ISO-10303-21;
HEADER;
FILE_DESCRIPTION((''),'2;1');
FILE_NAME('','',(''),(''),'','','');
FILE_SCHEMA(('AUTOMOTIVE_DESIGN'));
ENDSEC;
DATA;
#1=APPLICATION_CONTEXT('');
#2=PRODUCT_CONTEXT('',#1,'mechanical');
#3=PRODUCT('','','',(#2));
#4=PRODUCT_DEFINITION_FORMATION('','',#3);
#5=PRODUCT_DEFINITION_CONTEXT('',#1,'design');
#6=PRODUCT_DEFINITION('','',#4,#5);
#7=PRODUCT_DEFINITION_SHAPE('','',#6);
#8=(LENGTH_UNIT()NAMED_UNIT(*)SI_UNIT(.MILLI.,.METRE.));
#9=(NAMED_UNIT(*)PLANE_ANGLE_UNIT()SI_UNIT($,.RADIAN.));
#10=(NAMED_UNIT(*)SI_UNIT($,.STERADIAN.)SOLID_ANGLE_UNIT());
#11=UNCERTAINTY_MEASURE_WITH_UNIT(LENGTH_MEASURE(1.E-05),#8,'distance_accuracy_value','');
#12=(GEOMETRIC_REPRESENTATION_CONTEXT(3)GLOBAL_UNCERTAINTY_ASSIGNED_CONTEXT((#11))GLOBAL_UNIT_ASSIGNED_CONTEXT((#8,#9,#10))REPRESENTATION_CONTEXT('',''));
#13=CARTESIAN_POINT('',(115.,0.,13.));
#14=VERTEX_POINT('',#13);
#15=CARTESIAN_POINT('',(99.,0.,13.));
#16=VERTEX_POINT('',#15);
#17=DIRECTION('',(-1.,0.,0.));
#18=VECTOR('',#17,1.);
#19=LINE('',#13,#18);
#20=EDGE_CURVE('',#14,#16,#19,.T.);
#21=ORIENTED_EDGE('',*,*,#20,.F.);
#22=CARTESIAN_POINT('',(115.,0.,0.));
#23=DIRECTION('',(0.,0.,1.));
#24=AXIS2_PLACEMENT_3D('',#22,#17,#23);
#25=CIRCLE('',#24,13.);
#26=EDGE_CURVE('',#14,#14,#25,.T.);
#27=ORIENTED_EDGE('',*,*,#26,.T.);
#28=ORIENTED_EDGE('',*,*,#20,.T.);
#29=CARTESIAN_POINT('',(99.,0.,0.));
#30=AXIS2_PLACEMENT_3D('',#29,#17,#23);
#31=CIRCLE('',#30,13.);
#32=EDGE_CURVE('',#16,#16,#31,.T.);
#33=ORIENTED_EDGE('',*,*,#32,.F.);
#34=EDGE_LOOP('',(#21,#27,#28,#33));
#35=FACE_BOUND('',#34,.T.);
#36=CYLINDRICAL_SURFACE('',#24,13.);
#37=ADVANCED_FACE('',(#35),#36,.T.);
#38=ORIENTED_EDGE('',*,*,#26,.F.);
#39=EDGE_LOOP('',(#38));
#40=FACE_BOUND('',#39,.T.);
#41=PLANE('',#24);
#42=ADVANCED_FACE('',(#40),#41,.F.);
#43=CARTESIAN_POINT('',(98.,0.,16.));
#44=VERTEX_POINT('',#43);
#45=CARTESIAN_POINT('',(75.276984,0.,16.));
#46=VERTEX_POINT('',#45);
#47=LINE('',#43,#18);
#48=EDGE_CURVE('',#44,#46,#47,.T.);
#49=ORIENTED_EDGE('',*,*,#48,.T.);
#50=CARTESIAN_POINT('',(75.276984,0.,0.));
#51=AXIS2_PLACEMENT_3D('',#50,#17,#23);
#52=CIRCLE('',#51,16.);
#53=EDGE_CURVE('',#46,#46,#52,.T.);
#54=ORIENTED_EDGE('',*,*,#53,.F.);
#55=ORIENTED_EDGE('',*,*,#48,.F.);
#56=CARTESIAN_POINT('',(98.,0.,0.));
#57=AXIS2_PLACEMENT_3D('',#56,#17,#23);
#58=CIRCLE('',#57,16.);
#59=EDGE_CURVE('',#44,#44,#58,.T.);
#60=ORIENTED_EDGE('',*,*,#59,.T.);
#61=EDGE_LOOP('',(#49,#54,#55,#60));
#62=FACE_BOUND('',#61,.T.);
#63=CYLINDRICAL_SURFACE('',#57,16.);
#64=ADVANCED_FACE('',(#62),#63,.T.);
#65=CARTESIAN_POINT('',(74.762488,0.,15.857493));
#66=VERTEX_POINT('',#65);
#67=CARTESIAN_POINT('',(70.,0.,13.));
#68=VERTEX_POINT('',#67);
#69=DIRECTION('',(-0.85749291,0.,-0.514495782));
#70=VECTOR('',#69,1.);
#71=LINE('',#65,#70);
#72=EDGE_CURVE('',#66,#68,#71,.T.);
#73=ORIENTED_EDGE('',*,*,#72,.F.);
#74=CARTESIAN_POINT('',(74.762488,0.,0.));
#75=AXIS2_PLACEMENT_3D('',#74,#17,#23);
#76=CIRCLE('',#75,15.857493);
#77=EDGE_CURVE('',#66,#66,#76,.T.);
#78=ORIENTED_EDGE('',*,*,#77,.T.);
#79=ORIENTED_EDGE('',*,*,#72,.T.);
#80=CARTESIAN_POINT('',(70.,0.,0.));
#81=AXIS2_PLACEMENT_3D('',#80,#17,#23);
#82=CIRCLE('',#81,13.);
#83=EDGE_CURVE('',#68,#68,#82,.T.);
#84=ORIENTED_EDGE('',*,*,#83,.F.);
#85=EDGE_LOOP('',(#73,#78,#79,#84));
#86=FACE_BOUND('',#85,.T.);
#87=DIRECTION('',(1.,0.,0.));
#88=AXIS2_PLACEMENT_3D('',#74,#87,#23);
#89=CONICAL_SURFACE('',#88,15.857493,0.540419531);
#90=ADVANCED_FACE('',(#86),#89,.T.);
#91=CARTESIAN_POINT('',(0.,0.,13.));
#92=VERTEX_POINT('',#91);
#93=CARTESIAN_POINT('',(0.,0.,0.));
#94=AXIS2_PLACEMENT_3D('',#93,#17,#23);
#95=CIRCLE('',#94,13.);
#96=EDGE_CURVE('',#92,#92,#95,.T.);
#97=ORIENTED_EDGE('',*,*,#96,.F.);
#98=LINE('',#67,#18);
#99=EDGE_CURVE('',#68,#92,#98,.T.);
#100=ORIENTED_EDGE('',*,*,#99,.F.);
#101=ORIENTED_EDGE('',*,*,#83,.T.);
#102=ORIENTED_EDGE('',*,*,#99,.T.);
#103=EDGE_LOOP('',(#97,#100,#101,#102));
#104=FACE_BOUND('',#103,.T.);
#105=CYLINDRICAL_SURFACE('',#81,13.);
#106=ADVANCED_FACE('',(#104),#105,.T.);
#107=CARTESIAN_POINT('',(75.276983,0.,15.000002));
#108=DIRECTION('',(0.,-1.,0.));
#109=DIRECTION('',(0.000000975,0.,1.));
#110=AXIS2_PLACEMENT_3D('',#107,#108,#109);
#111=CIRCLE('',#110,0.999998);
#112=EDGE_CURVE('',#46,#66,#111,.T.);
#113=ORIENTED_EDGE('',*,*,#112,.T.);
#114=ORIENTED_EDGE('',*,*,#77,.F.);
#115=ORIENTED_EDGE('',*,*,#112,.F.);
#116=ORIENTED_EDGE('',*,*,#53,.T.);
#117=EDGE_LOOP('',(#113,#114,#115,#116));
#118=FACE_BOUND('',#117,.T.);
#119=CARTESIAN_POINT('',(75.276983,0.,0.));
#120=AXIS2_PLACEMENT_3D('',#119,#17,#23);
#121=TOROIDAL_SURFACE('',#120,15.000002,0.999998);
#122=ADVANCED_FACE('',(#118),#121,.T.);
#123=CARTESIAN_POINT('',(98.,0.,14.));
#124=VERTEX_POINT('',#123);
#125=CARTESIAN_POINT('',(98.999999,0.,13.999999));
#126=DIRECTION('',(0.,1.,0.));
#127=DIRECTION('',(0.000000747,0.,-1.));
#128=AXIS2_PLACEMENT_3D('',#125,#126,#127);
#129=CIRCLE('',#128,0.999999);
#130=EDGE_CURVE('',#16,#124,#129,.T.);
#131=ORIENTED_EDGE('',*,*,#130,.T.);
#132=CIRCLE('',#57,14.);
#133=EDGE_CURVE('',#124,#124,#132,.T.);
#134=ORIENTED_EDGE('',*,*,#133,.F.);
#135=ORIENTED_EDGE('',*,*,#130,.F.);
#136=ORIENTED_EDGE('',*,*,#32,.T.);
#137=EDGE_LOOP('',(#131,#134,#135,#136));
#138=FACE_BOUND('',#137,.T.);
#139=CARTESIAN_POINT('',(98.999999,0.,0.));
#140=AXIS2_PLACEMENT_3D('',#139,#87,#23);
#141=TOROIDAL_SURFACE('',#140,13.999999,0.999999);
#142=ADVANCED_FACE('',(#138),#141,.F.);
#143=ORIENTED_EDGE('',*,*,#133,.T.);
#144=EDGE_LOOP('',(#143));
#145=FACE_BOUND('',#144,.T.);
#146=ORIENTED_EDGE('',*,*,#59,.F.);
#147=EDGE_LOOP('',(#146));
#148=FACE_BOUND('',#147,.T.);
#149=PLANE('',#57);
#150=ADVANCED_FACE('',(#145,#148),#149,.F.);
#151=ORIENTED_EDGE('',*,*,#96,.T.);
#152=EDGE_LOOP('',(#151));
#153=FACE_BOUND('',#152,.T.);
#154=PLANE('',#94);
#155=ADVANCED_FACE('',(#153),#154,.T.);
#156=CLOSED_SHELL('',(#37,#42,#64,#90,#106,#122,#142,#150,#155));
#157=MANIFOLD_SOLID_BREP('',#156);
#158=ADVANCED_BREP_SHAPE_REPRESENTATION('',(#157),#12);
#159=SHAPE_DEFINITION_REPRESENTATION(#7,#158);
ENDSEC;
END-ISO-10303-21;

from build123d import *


with BuildPart() as f1:
    # F0 (on Front) → F1 (revolve)
    with BuildSketch(Plane.XZ):
        with BuildLine():
            ThreePointArc((75.276984, 16), (75.01005, 15.963715), (74.762488, 15.857493))
            Line((74.762488, 15.857493), (70, 13))
            Line((70, 13), (0, 13))
            Line((0, 13), (0, 0))
            Line((0, 0), (70, 0))
            Line((70, 0), (98, 0))
            Line((98, 0), (115, 0))
            Line((115, 0), (115, 13))
            Line((115, 13), (99, 13))
            ThreePointArc((99, 13), (98.292893, 13.292893), (98, 14))
            Line((98, 14), (98, 16))
            Line((98, 16), (75.276984, 16))
        make_face()
    revolve(axis=Axis((84, 0, 0), (-1, 0, 0)))


solid = f1.part
